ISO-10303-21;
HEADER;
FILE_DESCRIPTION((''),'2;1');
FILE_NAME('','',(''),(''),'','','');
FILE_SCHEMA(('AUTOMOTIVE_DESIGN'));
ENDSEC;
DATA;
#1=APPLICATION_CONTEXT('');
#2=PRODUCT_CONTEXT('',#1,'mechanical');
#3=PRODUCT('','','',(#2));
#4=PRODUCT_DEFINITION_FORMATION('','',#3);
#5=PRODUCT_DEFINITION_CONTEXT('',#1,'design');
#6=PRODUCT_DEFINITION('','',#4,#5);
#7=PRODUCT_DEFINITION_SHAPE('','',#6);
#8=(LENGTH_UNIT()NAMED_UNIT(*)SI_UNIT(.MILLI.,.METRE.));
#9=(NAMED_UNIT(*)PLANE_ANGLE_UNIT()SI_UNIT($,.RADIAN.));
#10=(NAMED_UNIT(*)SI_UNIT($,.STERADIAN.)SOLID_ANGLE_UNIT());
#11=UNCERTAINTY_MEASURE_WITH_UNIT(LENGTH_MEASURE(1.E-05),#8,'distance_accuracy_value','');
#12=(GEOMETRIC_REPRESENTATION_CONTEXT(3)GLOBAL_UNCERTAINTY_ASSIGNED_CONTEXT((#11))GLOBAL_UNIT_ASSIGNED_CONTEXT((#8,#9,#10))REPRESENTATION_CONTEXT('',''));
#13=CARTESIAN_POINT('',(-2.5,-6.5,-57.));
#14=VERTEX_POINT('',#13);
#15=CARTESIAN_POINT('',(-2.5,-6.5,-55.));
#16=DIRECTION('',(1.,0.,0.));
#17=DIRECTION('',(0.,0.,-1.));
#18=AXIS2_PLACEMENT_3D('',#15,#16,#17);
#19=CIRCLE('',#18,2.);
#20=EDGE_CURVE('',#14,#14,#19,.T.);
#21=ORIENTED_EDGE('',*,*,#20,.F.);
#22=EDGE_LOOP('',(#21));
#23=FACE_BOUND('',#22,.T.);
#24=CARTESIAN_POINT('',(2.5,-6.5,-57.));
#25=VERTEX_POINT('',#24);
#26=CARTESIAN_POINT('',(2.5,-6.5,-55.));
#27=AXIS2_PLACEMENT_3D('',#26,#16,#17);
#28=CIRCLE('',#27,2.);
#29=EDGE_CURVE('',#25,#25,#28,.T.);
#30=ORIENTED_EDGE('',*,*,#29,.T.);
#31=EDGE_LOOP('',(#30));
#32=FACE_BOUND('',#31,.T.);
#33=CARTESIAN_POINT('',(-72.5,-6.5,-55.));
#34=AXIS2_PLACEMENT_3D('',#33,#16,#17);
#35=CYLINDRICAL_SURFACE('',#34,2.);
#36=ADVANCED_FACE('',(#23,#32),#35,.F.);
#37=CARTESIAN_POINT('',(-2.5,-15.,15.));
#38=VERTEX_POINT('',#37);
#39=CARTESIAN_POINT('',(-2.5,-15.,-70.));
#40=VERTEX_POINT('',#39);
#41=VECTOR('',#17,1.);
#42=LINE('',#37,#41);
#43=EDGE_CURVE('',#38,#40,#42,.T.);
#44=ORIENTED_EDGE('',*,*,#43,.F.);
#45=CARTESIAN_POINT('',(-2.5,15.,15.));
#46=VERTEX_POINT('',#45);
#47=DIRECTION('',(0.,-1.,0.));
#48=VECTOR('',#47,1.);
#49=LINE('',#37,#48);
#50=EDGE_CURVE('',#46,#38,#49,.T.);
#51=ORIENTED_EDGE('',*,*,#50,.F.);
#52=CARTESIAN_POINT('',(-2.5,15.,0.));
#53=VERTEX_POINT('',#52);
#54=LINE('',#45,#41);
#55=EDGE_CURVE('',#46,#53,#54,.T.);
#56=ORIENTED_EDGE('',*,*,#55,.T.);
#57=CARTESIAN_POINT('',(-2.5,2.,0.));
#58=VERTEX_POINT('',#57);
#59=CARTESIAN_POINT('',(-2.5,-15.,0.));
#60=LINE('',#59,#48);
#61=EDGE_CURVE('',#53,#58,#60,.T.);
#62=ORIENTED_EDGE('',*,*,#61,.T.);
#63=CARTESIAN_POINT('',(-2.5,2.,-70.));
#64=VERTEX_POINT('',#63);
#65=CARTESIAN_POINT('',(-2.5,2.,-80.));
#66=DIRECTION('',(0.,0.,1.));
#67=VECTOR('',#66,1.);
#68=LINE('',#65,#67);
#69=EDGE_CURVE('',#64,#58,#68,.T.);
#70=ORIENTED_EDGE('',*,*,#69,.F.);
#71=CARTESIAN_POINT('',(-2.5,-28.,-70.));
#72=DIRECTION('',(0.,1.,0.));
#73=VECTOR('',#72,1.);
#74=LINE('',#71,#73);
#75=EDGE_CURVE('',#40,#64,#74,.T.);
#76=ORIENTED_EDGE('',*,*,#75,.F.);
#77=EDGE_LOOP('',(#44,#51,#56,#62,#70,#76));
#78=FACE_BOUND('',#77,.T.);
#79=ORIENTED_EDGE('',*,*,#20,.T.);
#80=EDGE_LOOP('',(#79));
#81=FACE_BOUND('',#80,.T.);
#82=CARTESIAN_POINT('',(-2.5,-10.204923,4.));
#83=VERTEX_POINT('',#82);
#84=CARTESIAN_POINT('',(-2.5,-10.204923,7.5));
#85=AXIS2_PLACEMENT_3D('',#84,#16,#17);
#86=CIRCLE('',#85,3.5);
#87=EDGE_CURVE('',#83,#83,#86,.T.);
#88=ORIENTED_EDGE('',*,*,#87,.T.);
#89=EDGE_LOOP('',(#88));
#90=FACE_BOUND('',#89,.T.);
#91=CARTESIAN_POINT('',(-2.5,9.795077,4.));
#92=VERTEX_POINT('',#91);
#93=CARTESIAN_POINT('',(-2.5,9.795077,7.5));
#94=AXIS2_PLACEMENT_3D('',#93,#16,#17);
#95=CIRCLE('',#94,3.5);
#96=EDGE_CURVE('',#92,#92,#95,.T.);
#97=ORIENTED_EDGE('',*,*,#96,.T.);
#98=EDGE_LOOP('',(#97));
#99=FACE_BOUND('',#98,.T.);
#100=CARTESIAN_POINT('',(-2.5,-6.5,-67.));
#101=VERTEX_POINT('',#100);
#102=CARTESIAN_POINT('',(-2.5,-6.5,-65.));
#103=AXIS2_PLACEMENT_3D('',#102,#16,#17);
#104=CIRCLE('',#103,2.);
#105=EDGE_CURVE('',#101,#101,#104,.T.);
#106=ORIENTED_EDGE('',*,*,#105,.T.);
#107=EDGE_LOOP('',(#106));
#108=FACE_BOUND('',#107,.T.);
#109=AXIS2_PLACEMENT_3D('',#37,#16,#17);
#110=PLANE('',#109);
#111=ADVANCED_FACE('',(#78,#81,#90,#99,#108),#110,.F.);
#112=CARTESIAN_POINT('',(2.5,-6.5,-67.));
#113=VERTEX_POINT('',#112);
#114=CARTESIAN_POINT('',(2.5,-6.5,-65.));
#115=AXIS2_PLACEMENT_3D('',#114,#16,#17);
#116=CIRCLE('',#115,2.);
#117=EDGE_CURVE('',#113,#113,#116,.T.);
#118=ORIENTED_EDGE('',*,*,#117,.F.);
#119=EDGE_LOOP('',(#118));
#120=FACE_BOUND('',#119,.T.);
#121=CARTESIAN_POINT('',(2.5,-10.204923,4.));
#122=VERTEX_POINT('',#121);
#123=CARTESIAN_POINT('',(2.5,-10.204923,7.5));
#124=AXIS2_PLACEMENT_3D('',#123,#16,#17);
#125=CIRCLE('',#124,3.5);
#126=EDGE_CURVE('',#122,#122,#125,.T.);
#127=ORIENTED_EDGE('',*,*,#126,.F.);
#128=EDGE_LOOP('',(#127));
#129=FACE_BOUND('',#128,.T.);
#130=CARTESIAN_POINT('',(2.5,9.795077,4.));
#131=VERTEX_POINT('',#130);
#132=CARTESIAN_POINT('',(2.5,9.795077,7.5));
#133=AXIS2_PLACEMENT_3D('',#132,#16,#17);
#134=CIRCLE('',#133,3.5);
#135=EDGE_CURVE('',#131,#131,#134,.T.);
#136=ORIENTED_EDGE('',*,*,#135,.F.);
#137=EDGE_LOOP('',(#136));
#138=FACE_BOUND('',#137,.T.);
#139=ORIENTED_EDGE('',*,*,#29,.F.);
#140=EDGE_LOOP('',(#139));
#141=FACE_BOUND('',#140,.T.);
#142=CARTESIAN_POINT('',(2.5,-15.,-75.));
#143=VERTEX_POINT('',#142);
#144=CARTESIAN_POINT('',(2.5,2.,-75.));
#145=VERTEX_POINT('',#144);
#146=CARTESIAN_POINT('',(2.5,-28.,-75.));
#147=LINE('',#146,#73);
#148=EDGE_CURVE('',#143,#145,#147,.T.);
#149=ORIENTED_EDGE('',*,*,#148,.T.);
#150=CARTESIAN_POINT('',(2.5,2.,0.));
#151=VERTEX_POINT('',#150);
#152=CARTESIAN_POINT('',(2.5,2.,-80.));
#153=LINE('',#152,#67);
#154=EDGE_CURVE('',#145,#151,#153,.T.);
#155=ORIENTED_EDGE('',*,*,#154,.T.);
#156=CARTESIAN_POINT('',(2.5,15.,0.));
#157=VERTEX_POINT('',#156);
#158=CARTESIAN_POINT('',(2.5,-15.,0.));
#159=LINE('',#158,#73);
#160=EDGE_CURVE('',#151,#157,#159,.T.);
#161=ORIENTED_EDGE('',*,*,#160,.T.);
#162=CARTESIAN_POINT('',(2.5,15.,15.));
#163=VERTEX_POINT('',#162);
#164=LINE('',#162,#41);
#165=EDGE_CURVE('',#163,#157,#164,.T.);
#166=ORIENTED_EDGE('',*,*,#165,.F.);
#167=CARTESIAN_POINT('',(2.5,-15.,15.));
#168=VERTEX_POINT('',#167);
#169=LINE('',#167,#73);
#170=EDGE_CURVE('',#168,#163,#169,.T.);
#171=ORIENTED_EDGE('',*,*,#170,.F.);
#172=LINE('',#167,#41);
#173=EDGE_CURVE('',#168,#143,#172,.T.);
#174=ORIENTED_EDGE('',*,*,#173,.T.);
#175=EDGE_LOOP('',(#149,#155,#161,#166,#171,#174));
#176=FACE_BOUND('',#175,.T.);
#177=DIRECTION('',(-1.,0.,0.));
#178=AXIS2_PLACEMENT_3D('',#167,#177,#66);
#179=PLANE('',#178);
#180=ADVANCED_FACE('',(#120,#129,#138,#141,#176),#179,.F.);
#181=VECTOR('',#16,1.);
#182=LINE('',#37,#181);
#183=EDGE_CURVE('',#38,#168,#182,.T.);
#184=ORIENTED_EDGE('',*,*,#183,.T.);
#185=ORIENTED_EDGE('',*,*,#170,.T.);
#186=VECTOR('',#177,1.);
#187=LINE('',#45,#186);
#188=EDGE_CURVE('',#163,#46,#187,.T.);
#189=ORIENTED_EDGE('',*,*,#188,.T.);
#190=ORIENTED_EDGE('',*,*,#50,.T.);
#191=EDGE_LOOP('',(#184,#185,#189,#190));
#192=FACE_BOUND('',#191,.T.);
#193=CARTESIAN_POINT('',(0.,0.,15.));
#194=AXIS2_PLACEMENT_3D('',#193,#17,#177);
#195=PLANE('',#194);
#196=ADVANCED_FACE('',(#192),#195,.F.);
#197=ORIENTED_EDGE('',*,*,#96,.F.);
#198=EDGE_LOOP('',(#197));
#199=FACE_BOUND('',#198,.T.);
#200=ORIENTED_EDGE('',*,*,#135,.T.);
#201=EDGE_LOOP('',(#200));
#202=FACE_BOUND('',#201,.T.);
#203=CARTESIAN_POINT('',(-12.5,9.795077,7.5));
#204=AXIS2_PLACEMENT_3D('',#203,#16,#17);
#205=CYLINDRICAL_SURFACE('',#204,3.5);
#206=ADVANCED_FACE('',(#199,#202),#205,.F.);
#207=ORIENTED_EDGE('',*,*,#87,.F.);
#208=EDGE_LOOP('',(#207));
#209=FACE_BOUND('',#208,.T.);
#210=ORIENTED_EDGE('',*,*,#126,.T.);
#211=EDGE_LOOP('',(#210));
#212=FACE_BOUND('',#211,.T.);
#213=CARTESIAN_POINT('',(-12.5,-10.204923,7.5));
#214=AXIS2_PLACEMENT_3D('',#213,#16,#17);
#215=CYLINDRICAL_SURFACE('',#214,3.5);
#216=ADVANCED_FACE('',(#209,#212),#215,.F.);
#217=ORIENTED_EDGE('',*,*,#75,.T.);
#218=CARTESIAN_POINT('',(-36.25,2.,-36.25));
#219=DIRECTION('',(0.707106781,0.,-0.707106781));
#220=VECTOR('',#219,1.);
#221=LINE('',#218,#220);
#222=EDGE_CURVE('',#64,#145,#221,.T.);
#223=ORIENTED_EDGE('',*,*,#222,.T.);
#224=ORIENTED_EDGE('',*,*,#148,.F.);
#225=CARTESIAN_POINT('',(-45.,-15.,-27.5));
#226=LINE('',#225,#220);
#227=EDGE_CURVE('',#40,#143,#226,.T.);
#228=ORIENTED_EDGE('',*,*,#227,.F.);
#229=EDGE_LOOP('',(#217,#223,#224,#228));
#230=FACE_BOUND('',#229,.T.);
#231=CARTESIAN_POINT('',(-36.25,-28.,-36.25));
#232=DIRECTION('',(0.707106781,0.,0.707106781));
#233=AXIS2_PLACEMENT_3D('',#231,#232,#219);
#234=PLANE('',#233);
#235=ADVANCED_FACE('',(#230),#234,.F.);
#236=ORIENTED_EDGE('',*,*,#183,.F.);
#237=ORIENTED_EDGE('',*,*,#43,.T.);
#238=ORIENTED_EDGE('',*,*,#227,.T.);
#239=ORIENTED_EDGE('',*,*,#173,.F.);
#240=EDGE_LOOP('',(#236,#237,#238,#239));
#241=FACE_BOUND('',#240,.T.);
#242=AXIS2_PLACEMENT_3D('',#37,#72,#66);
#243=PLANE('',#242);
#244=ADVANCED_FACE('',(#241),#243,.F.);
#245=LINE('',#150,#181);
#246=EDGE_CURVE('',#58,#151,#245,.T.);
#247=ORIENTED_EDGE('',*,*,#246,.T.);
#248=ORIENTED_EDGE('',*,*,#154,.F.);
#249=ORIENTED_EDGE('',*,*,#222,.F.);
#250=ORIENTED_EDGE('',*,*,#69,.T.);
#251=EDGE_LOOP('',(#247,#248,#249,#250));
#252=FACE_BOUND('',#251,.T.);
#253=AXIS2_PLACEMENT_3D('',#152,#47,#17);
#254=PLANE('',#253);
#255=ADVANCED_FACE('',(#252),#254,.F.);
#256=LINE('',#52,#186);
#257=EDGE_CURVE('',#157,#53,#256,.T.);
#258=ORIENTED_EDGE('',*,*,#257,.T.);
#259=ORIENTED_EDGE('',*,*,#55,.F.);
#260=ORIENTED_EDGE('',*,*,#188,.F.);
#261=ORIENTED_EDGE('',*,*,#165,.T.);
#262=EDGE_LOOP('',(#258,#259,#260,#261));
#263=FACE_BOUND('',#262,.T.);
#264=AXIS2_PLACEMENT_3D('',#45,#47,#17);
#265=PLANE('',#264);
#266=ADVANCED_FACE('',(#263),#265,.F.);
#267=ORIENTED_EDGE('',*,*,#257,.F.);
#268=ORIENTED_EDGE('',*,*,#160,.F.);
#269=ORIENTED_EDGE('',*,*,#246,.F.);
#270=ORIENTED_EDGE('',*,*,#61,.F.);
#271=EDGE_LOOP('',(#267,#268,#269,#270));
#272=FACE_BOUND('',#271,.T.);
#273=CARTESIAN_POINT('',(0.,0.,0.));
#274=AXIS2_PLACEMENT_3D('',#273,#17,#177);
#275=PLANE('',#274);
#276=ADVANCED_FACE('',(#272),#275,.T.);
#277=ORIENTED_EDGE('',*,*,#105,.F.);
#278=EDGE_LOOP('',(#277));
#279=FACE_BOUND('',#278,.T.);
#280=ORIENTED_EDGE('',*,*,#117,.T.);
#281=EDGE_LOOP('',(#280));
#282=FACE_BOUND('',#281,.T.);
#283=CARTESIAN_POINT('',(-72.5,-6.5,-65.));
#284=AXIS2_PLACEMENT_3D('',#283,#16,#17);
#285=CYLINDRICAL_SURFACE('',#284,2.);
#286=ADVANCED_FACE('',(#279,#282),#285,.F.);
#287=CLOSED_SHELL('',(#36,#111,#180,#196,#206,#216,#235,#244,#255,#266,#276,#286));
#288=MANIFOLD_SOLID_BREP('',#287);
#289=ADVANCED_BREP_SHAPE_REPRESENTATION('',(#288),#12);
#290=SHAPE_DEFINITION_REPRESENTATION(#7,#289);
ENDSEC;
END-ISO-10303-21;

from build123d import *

# Parameters (mm, degrees)
CROQUIS1_W              = 5
CROQUIS1_H              = 30
SALIENTE_EXTRUIR1_DEPTH = 15
CROQUIS2_R              = 3.5
CORTAR_EXTRUIR1_DEPTH   = 15
CROQUIS3_W              = 5
CROQUIS3_H              = 17
SALIENTE_EXTRUIR2_DEPTH = 80
CROQUIS5_R              = 2
CORTAR_EXTRUIR3_DEPTH   = 75
CORTAR_EXTRUIR4_DEPTH   = 30


with BuildPart() as part:
    # Croquis1 → Saliente-Extruir1 (new body)
    with BuildSketch(Plane.XY):
        Rectangle(CROQUIS1_W, CROQUIS1_H)
    extrude(amount=SALIENTE_EXTRUIR1_DEPTH)

    # Croquis2 → Cortar-Extruir1 (cut)
    with BuildSketch(Plane(origin=(2.5, 0, 0), x_dir=(0, 0, -1), z_dir=(1, 0, 0))):
        with Locations((-7.5, 9.795077014)):
            Circle(CROQUIS2_R)
        with Locations((-7.5, -10.204922986)):
            Circle(CROQUIS2_R)
    extrude(amount=-CORTAR_EXTRUIR1_DEPTH, mode=Mode.SUBTRACT)

    # Croquis3 → Saliente-Extruir2 (add)
    with BuildSketch(Plane(origin=(0, 0, 0), x_dir=(-1, 0, 0), z_dir=(0, 0, -1))):
        with Locations((0, -6.5)):
            Rectangle(CROQUIS3_W, CROQUIS3_H)
    extrude(amount=SALIENTE_EXTRUIR2_DEPTH)

    # Croquis5 → Cortar-Extruir3 (cut)
    with BuildSketch(Plane(origin=(2.5, 0, 0), x_dir=(0, 0, -1), z_dir=(1, 0, 0))):
        with Locations((65, -6.5)):
            Circle(CROQUIS5_R)
        with Locations((55, -6.5)):
            Circle(CROQUIS5_R)
    extrude(amount=-CORTAR_EXTRUIR3_DEPTH, mode=Mode.SUBTRACT)

    # Croquis6 → Cortar-Extruir4 (cut)
    with BuildSketch(Plane(origin=(0, 2, 0), x_dir=(1, 0, 0), z_dir=(0, 1, 0))):
        Polygon((-2.5, 70), (2.5, 75), (2.5, 80), (-2.5, 80), align=None)
    extrude(amount=-CORTAR_EXTRUIR4_DEPTH, mode=Mode.SUBTRACT)


solid = part.part
